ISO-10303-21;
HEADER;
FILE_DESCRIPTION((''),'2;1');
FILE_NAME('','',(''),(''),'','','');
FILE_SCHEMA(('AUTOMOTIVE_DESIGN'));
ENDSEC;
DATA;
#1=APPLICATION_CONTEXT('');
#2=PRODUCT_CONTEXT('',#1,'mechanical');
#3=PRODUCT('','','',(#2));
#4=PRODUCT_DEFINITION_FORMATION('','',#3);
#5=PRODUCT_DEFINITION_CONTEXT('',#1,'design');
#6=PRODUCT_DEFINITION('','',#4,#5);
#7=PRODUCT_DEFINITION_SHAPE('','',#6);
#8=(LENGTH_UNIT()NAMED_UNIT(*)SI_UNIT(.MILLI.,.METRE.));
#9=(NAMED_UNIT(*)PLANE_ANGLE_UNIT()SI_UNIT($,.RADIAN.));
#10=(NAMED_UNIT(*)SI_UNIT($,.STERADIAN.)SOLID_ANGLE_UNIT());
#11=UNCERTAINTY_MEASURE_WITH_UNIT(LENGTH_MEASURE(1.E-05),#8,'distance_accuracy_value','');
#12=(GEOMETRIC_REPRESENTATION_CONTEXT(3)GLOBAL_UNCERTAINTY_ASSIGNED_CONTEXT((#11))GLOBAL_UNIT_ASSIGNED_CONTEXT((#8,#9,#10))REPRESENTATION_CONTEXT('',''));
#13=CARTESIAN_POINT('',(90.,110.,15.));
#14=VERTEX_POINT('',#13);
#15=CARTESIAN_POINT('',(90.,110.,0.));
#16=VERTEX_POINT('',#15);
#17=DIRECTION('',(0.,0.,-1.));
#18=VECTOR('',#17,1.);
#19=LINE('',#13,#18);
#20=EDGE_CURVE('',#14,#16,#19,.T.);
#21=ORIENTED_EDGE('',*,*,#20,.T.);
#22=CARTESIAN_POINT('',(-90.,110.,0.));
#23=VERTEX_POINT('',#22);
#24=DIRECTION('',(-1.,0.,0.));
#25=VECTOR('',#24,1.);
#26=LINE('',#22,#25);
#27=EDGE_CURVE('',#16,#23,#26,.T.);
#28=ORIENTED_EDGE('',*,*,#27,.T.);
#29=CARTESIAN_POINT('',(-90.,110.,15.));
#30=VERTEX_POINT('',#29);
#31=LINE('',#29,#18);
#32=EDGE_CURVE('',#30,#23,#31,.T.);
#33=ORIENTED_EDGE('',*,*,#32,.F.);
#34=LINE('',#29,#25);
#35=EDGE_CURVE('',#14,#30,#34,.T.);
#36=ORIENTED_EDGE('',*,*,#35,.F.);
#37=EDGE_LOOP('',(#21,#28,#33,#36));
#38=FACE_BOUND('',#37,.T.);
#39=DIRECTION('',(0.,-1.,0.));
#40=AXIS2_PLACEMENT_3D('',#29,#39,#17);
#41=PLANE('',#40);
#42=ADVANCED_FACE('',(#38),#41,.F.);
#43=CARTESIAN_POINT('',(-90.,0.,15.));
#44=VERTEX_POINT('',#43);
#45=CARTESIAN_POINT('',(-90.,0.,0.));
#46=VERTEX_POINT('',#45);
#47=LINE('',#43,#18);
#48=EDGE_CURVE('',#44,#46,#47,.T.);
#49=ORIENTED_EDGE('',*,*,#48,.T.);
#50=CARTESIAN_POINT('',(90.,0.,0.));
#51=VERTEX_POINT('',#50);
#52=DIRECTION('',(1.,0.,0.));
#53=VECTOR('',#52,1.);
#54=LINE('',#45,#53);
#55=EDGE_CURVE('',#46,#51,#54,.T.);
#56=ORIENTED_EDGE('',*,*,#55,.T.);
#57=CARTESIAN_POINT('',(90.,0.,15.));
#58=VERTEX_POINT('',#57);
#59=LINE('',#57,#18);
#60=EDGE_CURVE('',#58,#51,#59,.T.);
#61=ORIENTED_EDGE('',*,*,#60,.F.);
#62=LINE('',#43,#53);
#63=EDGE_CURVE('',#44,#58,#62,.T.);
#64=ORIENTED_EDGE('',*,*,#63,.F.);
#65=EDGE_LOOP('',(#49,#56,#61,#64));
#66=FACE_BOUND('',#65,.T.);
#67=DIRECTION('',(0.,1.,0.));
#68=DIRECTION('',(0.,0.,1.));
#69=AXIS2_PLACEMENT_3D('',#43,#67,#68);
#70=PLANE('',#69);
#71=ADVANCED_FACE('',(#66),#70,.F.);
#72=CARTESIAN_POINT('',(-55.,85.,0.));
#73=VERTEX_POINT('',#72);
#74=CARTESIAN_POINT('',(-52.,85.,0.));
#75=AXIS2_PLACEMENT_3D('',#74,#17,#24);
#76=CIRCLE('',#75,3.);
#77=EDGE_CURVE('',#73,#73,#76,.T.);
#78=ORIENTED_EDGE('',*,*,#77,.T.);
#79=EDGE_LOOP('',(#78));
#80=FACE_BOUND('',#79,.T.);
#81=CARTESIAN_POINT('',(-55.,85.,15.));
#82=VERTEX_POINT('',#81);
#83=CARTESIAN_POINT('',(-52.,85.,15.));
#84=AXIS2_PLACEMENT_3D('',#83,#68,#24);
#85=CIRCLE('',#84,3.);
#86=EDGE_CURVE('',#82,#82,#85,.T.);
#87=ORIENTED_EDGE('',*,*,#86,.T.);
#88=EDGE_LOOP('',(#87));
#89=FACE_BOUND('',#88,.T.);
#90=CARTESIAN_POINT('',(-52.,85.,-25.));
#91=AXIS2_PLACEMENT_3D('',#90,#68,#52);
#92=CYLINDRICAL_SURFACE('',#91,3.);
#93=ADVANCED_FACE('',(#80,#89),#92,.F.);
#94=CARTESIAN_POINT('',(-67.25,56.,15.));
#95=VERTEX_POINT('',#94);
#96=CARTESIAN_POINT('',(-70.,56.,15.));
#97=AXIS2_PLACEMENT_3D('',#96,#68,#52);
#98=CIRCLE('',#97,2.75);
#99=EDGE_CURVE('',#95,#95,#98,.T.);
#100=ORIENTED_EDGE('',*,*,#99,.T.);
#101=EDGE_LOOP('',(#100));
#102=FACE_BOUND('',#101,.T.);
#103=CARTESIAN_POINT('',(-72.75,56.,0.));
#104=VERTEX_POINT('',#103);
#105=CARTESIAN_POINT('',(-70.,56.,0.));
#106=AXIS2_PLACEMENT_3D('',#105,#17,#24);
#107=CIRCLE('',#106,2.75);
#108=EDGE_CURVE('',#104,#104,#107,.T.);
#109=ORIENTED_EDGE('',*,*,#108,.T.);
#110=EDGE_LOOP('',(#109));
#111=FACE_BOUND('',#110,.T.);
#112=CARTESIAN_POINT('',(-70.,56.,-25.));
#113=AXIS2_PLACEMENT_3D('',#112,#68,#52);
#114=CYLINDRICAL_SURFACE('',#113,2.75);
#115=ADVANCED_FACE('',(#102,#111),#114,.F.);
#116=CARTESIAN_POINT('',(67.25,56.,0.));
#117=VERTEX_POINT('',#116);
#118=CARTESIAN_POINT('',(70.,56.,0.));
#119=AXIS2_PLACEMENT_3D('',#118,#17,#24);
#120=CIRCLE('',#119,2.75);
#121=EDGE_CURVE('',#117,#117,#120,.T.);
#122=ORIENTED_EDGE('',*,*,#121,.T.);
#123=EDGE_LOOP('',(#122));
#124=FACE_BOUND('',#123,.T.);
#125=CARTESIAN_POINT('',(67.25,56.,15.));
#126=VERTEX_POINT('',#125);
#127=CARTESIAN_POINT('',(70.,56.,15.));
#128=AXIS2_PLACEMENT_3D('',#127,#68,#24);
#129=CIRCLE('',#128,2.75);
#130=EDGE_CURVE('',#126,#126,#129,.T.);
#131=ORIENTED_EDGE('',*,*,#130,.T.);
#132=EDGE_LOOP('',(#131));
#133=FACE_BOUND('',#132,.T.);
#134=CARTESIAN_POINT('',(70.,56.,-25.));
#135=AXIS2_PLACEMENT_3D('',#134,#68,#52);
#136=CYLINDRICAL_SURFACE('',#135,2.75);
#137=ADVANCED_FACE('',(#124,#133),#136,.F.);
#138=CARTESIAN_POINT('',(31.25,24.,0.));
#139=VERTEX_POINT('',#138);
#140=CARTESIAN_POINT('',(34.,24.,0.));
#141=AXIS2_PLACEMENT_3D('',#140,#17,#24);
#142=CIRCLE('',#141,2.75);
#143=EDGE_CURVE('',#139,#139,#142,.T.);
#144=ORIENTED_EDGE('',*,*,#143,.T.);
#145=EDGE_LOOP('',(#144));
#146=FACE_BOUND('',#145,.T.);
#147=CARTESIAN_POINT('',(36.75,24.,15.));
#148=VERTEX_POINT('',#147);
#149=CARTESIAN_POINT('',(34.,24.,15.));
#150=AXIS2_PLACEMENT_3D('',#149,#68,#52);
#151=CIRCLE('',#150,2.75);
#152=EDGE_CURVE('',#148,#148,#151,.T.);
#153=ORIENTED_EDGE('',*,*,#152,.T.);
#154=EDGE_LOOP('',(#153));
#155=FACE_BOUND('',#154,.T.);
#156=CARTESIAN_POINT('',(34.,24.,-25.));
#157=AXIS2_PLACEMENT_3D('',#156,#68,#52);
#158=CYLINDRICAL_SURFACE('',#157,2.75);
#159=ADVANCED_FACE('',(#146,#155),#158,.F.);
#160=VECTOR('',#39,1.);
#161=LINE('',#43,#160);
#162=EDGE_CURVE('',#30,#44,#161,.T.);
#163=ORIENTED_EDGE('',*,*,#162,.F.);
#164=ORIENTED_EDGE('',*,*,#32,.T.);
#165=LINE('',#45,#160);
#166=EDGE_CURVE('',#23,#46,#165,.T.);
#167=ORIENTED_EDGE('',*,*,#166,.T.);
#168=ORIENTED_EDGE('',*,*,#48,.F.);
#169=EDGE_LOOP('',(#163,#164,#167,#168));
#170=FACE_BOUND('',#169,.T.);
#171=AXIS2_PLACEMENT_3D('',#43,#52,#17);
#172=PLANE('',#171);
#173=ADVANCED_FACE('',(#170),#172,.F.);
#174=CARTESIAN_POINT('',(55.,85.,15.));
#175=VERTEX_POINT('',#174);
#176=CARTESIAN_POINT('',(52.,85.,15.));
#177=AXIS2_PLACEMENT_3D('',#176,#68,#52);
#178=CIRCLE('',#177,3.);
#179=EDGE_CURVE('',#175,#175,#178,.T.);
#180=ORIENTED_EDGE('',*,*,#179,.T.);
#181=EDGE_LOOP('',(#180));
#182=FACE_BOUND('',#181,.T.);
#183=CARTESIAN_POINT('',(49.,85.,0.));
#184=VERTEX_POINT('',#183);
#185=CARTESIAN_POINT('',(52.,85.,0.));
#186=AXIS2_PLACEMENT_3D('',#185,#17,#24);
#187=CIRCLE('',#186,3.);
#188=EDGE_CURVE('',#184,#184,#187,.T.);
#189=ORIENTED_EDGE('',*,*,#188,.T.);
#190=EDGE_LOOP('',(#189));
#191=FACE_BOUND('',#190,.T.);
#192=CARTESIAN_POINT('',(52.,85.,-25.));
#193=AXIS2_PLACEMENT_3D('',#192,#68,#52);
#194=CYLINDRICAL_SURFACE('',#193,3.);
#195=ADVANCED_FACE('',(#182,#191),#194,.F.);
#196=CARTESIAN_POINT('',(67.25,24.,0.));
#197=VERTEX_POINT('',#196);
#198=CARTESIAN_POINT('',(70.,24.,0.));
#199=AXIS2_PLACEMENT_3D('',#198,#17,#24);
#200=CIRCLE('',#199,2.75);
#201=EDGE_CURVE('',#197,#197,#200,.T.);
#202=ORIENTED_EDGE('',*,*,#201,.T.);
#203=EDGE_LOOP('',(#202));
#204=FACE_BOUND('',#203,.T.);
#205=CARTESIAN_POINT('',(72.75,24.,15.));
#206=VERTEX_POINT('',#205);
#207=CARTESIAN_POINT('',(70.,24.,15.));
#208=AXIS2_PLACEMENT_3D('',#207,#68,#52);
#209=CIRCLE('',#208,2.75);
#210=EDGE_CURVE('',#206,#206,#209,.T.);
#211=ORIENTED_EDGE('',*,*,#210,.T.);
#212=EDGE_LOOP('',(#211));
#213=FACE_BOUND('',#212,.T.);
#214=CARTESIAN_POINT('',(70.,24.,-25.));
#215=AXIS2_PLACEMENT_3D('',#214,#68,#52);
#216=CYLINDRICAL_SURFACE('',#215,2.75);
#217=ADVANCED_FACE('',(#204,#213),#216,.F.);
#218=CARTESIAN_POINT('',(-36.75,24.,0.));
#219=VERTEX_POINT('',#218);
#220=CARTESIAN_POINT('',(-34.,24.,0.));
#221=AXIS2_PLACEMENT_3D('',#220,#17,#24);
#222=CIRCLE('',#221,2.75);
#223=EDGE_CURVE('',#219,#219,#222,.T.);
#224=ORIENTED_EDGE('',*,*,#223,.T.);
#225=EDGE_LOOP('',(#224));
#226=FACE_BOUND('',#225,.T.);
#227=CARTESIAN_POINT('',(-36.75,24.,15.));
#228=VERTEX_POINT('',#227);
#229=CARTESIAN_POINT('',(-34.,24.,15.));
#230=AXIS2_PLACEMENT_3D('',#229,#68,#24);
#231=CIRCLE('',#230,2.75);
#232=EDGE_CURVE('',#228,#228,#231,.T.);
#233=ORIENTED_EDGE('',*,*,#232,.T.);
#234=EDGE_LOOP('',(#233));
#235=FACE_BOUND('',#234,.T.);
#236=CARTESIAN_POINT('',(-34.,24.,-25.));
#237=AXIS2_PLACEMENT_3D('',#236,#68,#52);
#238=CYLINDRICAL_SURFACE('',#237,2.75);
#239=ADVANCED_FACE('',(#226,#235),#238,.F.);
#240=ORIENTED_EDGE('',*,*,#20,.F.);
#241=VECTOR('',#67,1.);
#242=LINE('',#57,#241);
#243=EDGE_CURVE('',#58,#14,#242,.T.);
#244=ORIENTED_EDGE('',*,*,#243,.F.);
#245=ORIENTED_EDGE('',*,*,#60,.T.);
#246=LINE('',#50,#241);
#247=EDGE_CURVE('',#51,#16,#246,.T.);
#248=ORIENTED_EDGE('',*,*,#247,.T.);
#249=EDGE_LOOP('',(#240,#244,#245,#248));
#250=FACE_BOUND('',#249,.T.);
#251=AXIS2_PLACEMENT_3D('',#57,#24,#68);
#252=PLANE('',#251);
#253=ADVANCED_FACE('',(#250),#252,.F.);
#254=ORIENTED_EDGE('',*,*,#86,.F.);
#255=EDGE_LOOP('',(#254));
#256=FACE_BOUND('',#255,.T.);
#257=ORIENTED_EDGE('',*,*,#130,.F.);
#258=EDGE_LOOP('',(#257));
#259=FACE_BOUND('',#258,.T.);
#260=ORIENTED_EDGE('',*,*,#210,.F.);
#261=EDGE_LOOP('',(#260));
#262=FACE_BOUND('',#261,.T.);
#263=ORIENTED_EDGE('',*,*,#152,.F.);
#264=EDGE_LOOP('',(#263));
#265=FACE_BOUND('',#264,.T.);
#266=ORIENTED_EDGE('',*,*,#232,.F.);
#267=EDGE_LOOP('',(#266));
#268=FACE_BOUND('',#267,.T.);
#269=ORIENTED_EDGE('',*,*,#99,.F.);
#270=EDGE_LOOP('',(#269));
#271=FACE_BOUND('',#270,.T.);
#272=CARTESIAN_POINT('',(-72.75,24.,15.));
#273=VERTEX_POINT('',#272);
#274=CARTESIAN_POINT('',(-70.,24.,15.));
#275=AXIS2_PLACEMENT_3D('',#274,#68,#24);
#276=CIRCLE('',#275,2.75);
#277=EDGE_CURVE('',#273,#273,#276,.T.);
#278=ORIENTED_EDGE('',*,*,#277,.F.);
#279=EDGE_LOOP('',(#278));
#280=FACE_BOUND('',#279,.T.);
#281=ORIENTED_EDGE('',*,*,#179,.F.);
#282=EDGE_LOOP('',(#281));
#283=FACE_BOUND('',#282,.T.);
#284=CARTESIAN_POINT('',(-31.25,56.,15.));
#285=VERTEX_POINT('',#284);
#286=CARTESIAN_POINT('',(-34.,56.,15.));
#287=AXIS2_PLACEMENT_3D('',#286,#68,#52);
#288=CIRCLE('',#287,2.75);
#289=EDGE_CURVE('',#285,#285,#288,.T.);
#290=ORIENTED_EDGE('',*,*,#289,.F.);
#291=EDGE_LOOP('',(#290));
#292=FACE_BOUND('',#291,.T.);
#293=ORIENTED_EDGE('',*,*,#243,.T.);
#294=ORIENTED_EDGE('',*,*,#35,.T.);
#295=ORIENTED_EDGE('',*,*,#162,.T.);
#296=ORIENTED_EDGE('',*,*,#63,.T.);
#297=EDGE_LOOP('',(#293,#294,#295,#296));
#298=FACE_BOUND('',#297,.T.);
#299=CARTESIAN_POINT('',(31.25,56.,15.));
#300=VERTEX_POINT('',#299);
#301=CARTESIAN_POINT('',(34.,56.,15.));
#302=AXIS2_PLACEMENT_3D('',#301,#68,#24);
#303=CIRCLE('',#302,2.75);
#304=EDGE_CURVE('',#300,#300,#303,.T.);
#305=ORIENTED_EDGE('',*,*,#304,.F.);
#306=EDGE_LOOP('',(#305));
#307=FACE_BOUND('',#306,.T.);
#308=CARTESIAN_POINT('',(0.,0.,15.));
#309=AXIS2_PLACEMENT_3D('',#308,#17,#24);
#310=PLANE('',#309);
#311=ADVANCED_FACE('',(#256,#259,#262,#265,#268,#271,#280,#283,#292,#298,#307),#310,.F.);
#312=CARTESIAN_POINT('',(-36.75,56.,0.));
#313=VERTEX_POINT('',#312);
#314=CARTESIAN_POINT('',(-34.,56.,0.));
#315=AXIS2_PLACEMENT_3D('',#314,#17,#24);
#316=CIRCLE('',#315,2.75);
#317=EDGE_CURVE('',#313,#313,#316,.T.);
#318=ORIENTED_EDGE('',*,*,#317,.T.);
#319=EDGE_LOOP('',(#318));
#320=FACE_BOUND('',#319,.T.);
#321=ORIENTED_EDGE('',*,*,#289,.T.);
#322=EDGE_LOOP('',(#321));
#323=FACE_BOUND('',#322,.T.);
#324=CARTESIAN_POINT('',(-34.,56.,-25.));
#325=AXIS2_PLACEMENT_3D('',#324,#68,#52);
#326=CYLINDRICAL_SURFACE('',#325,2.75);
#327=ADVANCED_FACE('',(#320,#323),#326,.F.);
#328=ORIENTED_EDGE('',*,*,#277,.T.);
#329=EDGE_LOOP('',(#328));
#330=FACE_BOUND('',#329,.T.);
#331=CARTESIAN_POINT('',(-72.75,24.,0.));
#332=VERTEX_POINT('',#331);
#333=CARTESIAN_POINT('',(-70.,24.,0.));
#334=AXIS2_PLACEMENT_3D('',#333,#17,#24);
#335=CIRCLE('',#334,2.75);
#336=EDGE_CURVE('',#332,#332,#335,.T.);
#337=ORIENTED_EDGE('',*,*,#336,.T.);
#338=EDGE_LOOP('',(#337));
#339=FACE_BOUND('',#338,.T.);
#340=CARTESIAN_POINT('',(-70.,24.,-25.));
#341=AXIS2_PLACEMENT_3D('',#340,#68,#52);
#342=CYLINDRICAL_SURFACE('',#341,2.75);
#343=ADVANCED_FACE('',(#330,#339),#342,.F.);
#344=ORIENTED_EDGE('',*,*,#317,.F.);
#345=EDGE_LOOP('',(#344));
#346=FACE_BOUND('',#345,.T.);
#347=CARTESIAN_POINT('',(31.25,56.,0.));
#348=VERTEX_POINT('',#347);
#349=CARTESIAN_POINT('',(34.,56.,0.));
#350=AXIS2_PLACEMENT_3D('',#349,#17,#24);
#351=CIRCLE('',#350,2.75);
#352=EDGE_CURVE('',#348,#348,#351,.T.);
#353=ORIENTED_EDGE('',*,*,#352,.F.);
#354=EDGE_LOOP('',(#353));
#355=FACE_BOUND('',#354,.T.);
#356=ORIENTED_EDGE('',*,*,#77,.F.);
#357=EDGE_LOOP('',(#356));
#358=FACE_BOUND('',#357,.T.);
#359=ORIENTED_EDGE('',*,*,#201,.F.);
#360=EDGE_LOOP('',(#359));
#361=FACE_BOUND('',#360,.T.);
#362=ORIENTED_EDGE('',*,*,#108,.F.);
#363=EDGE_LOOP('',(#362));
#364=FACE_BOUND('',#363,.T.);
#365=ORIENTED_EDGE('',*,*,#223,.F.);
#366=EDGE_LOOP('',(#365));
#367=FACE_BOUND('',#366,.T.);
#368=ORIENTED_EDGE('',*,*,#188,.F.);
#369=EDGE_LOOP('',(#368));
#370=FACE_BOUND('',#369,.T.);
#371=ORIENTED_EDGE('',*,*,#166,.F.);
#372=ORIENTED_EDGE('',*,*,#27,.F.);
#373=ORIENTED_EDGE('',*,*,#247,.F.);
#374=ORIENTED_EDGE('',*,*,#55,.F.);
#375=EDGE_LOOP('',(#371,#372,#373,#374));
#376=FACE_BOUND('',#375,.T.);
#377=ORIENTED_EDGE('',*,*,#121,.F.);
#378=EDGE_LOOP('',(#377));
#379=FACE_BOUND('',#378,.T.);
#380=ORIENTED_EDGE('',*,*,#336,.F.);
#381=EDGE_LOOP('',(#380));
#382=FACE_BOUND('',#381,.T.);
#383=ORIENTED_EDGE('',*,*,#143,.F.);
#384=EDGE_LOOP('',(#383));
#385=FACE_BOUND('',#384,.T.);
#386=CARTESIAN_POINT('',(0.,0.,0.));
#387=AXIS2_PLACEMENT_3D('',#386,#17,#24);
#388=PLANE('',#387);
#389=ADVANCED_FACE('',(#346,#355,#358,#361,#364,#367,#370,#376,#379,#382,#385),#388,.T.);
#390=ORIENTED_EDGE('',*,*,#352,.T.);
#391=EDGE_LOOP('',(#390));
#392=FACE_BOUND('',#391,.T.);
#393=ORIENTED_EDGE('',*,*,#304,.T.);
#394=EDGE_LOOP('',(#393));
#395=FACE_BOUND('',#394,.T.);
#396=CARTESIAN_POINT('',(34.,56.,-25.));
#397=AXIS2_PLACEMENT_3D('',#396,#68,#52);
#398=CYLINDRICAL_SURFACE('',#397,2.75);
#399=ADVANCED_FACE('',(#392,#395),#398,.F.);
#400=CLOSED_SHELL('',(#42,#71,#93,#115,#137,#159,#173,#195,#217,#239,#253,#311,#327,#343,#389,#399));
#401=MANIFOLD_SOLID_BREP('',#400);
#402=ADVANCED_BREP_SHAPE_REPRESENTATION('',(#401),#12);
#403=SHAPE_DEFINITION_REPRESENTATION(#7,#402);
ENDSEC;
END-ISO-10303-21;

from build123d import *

# Parameters (mm, degrees)
SKIZZE1_W                       = 180
SKIZZE1_H                       = 110
AUFSATZ_LINEAR_AUSTRAGEN1_DEPTH = 15
SKIZZE2_R                       = 2.75
SCHNITT_LINEAR_AUSTRAGEN1_DEPTH = 40
SKIZZE3_R                       = 3
SCHNITT_LINEAR_AUSTRAGEN2_DEPTH = 40


with BuildPart() as part:
    # Skizze1 → Aufsatz-Linear austragen1 (new body)
    with BuildSketch(Plane.XY):
        with Locations((0, 55)):
            Rectangle(SKIZZE1_W, SKIZZE1_H)
    extrude(amount=AUFSATZ_LINEAR_AUSTRAGEN1_DEPTH)

    # Skizze2 → Schnitt-Linear austragen1 (cut)
    with BuildSketch(Plane.XY.offset(15)):
        with Locations((34, 24)):
            Circle(SKIZZE2_R)
        with Locations((70, 24)):
            Circle(SKIZZE2_R)
        with Locations(Location((70, 56, 0), (0, 0, 180))):
            Circle(SKIZZE2_R)
        with Locations(Location((34, 56, 0), (0, 0, 180))):
            Circle(SKIZZE2_R)
        with Locations(Location((-34, 24, 0), (0, 0, 180))):
            Circle(SKIZZE2_R)
        with Locations(Location((-70, 24, 0), (0, 0, 180))):
            Circle(SKIZZE2_R)
        with Locations((-70, 56)):
            Circle(SKIZZE2_R)
        with Locations((-34, 56)):
            Circle(SKIZZE2_R)
    extrude(amount=-SCHNITT_LINEAR_AUSTRAGEN1_DEPTH, mode=Mode.SUBTRACT)

    # Skizze3 → Schnitt-Linear austragen2 (cut)
    with BuildSketch(Plane.XY.offset(15)):
        with Locations((52, 85)):
            Circle(SKIZZE3_R)
        with Locations(Location((-52, 85, 0), (0, 0, 180))):
            Circle(SKIZZE3_R)
    extrude(amount=-SCHNITT_LINEAR_AUSTRAGEN2_DEPTH, mode=Mode.SUBTRACT)


solid = part.part
